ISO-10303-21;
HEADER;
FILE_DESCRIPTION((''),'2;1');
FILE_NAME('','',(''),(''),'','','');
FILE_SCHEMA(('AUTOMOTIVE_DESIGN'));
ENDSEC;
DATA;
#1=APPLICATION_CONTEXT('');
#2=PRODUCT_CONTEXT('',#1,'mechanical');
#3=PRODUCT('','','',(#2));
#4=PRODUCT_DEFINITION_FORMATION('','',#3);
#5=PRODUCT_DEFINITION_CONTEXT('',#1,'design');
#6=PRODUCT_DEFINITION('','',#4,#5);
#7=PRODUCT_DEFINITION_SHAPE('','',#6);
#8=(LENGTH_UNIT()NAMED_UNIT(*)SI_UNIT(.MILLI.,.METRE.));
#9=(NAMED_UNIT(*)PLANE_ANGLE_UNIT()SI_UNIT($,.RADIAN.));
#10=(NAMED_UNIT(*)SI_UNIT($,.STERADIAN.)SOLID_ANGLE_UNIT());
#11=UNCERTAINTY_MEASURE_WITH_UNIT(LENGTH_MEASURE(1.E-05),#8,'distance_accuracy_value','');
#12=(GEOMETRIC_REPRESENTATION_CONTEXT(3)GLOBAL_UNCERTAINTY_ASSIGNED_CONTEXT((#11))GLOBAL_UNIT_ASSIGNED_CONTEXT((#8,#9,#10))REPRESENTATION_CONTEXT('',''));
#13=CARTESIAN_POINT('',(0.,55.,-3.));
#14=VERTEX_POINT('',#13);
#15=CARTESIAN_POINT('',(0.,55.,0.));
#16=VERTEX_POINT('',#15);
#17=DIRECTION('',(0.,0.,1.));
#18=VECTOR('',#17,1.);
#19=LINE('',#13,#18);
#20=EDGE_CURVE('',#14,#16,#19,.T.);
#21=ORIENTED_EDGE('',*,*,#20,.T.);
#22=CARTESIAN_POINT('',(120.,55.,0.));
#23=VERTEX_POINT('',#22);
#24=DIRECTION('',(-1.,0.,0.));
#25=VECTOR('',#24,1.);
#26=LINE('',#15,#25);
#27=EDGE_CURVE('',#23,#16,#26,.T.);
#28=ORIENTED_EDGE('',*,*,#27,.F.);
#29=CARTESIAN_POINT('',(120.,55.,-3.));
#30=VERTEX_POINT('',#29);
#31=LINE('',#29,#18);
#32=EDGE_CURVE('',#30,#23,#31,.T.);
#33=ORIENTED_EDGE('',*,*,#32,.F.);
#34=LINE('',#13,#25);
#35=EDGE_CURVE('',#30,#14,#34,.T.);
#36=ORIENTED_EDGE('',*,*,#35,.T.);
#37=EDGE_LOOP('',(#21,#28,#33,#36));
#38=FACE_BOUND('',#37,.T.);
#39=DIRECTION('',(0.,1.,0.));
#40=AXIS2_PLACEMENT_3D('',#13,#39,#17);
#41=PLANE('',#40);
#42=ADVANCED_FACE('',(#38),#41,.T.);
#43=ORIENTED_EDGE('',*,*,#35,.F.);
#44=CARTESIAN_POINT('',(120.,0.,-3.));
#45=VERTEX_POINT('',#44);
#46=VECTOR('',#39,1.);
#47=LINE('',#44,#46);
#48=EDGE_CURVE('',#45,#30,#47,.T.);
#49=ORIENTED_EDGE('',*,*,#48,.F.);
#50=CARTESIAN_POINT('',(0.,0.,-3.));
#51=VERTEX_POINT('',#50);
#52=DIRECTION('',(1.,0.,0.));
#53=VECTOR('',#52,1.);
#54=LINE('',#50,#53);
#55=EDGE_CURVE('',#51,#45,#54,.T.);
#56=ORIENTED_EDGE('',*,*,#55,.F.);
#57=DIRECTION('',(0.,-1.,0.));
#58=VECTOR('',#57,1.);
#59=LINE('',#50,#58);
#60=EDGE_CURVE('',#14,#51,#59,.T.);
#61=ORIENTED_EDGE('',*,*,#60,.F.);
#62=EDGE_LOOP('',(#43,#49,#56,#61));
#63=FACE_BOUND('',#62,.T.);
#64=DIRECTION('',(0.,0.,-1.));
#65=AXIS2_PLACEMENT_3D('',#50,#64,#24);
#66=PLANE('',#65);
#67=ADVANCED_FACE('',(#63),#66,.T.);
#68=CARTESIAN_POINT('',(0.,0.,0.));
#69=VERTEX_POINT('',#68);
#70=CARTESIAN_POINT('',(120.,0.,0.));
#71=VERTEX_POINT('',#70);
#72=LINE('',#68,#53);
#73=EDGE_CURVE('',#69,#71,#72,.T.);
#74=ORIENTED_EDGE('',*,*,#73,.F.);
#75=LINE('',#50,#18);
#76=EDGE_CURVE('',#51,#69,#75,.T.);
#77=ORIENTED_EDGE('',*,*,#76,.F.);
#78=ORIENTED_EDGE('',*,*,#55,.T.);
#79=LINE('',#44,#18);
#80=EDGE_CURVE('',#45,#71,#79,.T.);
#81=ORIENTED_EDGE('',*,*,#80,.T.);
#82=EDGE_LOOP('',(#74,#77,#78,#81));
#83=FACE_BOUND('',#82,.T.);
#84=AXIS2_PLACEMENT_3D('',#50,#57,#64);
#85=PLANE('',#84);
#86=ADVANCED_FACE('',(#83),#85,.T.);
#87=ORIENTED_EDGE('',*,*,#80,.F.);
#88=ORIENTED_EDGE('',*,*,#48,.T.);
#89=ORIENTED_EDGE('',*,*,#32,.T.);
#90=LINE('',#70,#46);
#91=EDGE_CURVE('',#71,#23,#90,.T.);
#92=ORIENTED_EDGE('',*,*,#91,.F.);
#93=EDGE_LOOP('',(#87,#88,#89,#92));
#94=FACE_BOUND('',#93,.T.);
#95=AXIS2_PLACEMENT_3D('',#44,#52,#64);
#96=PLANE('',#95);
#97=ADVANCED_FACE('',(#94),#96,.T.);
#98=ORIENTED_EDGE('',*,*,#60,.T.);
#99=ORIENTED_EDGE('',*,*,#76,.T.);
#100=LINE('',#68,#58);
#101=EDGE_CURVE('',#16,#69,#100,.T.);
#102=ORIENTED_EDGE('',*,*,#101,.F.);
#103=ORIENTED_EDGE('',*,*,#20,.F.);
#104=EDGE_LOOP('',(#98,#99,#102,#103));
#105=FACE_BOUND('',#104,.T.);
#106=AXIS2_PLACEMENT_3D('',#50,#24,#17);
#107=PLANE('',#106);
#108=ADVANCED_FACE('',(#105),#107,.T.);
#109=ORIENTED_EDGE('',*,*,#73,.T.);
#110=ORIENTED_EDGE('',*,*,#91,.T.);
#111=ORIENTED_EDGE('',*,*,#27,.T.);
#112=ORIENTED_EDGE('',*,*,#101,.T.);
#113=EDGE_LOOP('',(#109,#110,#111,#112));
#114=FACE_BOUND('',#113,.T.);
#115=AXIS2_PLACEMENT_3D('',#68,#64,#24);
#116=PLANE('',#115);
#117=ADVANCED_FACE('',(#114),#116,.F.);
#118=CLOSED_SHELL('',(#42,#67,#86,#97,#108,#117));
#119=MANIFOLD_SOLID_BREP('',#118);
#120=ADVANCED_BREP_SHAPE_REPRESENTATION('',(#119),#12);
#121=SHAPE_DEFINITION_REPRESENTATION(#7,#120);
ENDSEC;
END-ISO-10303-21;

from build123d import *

# Parameters (mm, degrees)
SKETCH1_W           = 120
SKETCH1_H           = 55
BOSS_EXTRUDE1_DEPTH = 3


with BuildPart() as part:
    # Sketch1 → Boss-Extrude1 (new body)
    with BuildSketch(Plane.XY):
        with Locations((60, 27.5)):
            Rectangle(SKETCH1_W, SKETCH1_H)
    extrude(amount=-BOSS_EXTRUDE1_DEPTH)


solid = part.part
